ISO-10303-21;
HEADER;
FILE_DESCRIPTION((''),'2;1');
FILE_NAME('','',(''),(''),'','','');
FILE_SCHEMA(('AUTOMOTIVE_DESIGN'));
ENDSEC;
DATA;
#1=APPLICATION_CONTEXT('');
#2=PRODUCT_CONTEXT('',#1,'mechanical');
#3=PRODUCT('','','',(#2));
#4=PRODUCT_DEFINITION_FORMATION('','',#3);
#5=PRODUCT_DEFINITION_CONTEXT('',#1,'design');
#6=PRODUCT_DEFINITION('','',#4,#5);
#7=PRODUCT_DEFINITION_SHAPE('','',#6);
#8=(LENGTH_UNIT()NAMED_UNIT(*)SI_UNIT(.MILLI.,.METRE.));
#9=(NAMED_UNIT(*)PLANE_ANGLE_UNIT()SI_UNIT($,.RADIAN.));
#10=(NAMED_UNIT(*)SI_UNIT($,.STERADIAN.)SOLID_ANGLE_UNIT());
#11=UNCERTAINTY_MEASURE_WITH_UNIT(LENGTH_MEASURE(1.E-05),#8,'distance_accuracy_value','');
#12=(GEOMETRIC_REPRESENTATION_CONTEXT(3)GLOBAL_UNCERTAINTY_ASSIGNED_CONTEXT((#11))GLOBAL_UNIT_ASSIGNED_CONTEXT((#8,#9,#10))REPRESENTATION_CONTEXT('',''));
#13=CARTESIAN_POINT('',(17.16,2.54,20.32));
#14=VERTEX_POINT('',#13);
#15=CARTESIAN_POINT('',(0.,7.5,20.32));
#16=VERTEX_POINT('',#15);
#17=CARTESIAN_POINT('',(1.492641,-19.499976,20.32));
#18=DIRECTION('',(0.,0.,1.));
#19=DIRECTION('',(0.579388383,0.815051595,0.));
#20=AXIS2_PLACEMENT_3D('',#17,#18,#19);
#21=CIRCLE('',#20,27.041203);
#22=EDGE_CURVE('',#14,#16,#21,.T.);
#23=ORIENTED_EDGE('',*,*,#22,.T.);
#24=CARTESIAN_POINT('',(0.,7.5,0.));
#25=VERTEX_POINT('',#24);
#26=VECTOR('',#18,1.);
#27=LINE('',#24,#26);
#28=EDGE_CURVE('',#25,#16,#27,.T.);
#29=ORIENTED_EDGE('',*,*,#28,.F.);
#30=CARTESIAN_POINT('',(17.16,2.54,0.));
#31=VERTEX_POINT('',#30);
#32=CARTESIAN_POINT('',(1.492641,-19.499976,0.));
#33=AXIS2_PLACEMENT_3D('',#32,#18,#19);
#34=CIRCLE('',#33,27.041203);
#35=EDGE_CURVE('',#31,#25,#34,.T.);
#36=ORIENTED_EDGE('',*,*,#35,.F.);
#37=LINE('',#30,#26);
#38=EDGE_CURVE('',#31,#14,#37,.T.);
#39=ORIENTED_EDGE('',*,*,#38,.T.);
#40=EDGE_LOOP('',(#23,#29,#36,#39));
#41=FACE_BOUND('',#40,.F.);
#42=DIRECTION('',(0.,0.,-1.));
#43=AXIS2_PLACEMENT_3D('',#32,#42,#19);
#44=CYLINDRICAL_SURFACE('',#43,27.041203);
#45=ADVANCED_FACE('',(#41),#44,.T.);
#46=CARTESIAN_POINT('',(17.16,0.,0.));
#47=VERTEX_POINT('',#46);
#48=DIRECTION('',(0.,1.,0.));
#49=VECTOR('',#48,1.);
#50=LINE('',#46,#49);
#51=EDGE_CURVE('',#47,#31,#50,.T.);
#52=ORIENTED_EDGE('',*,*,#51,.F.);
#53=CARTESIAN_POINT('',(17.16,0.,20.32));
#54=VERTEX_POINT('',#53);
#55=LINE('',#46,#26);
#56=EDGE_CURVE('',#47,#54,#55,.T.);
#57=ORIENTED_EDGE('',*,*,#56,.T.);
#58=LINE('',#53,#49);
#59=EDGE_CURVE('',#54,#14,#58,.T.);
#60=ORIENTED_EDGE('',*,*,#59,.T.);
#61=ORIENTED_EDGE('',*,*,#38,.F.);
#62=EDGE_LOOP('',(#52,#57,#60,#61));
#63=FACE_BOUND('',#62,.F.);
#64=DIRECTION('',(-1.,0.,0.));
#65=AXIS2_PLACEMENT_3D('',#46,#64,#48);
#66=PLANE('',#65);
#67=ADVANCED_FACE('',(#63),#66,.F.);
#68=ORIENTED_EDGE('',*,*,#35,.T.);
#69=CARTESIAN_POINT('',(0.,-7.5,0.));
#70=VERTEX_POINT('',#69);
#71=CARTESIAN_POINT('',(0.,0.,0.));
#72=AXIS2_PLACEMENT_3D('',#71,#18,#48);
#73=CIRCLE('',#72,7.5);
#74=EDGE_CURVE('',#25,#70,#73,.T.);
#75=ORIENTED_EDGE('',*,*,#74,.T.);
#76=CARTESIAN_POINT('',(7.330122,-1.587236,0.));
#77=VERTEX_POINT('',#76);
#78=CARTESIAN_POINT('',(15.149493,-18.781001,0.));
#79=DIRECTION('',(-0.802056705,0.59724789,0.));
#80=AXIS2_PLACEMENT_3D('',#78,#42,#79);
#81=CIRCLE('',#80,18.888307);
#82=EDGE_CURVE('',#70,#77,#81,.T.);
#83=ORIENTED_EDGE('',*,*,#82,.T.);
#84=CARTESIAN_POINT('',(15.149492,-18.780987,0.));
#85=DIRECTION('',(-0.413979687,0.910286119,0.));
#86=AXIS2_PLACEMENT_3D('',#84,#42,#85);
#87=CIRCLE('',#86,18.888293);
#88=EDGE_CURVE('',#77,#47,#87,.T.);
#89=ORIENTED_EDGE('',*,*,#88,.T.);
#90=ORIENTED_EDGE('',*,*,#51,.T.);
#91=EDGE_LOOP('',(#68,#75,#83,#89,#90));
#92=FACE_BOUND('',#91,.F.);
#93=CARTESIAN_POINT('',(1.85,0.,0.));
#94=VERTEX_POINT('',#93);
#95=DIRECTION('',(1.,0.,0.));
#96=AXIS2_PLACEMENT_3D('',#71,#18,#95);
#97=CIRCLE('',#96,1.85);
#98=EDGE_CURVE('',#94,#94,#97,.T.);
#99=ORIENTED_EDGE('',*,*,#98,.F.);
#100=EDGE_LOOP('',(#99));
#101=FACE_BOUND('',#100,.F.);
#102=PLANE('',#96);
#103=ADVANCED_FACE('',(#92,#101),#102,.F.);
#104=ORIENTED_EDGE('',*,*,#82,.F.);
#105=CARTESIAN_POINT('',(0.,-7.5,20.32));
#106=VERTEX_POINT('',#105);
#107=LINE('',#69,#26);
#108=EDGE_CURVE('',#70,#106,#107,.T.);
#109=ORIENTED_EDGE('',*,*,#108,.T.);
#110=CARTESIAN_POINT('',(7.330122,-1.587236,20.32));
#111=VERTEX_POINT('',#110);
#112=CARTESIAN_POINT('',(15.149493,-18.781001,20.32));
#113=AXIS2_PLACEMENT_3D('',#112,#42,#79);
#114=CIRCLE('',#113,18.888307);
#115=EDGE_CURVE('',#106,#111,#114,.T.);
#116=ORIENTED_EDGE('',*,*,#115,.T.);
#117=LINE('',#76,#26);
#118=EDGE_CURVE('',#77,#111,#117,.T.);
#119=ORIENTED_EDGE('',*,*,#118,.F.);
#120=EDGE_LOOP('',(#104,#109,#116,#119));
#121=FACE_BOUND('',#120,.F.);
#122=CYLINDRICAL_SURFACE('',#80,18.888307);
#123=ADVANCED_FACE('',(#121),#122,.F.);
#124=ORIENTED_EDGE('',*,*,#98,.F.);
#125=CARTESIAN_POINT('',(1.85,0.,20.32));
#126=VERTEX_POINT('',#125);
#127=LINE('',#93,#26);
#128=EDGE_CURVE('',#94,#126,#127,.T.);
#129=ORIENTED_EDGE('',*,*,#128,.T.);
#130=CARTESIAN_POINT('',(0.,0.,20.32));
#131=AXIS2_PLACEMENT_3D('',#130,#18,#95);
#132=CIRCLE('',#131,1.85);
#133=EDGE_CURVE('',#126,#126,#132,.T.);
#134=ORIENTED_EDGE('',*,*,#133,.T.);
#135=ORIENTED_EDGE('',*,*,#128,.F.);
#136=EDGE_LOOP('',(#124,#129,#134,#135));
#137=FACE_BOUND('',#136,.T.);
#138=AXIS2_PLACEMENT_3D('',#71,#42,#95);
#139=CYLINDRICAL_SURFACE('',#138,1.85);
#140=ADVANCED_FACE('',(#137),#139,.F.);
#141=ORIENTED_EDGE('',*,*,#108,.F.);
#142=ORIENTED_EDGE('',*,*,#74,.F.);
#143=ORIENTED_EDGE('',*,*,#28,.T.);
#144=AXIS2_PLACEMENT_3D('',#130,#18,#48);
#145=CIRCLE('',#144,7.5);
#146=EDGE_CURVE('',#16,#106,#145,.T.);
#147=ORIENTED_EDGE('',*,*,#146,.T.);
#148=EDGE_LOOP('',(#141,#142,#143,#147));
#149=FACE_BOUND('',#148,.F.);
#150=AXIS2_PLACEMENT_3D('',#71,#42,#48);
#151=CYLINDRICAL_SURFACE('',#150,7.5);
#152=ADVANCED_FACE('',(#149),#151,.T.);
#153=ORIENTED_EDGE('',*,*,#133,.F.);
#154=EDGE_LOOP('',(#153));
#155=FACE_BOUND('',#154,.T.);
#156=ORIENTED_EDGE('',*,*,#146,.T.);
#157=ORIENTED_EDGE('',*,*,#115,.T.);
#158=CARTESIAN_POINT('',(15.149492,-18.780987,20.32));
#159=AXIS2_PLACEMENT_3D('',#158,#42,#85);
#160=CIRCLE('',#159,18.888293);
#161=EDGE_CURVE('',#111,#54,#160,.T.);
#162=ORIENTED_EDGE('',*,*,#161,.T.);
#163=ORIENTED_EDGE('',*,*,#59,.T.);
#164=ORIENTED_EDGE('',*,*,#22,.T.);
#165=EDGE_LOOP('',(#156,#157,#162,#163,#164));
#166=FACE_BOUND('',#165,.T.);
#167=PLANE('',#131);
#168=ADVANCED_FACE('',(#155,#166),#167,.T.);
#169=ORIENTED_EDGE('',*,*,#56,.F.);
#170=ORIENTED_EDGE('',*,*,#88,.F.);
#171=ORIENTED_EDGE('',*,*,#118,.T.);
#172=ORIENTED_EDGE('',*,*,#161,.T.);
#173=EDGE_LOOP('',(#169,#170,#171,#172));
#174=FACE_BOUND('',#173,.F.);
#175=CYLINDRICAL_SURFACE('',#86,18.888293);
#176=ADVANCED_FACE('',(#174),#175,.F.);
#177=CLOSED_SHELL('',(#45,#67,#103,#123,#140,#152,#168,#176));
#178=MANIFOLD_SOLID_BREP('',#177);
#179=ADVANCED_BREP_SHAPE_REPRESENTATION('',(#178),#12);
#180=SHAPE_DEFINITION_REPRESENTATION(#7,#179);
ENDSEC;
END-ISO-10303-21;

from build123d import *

# Parameters (mm, degrees)
F0_R     = 1.85
F1_DEPTH = 20.32


with BuildPart() as f1:
    # F0 (on Top) → F1 (new body)
    with BuildSketch(Plane.XY):
        Circle(F0_R)
        with BuildLine():
            ThreePointArc((0, -7.5), (3.290641, -4.079445), (7.330122, -1.587236))
            ThreePointArc((7.330122, -1.587236), (7.457409, -0.79815), (7.5, 0))
            ThreePointArc((7.5, 0), (5.303301, 5.303301), (0, 7.5))
            ThreePointArc((0, 7.5), (-7.5, 0), (0, -7.5))
        make_face()
        Circle(F0_R, mode=Mode.SUBTRACT)
        with BuildLine():
            ThreePointArc((7.5, 0), (7.457409, -0.79815), (7.330122, -1.587236))
            ThreePointArc((7.330122, -1.587236), (12.138587, -0.134216), (17.16, 0))
            Line((17.16, 0), (17.16, 2.54))
            ThreePointArc((17.16, 2.54), (9.001373, 6.477815), (0, 7.5))
            ThreePointArc((0, 7.5), (5.303301, 5.303301), (7.5, 0))
        make_face()
    extrude(amount=F1_DEPTH)


solid = f1.part
